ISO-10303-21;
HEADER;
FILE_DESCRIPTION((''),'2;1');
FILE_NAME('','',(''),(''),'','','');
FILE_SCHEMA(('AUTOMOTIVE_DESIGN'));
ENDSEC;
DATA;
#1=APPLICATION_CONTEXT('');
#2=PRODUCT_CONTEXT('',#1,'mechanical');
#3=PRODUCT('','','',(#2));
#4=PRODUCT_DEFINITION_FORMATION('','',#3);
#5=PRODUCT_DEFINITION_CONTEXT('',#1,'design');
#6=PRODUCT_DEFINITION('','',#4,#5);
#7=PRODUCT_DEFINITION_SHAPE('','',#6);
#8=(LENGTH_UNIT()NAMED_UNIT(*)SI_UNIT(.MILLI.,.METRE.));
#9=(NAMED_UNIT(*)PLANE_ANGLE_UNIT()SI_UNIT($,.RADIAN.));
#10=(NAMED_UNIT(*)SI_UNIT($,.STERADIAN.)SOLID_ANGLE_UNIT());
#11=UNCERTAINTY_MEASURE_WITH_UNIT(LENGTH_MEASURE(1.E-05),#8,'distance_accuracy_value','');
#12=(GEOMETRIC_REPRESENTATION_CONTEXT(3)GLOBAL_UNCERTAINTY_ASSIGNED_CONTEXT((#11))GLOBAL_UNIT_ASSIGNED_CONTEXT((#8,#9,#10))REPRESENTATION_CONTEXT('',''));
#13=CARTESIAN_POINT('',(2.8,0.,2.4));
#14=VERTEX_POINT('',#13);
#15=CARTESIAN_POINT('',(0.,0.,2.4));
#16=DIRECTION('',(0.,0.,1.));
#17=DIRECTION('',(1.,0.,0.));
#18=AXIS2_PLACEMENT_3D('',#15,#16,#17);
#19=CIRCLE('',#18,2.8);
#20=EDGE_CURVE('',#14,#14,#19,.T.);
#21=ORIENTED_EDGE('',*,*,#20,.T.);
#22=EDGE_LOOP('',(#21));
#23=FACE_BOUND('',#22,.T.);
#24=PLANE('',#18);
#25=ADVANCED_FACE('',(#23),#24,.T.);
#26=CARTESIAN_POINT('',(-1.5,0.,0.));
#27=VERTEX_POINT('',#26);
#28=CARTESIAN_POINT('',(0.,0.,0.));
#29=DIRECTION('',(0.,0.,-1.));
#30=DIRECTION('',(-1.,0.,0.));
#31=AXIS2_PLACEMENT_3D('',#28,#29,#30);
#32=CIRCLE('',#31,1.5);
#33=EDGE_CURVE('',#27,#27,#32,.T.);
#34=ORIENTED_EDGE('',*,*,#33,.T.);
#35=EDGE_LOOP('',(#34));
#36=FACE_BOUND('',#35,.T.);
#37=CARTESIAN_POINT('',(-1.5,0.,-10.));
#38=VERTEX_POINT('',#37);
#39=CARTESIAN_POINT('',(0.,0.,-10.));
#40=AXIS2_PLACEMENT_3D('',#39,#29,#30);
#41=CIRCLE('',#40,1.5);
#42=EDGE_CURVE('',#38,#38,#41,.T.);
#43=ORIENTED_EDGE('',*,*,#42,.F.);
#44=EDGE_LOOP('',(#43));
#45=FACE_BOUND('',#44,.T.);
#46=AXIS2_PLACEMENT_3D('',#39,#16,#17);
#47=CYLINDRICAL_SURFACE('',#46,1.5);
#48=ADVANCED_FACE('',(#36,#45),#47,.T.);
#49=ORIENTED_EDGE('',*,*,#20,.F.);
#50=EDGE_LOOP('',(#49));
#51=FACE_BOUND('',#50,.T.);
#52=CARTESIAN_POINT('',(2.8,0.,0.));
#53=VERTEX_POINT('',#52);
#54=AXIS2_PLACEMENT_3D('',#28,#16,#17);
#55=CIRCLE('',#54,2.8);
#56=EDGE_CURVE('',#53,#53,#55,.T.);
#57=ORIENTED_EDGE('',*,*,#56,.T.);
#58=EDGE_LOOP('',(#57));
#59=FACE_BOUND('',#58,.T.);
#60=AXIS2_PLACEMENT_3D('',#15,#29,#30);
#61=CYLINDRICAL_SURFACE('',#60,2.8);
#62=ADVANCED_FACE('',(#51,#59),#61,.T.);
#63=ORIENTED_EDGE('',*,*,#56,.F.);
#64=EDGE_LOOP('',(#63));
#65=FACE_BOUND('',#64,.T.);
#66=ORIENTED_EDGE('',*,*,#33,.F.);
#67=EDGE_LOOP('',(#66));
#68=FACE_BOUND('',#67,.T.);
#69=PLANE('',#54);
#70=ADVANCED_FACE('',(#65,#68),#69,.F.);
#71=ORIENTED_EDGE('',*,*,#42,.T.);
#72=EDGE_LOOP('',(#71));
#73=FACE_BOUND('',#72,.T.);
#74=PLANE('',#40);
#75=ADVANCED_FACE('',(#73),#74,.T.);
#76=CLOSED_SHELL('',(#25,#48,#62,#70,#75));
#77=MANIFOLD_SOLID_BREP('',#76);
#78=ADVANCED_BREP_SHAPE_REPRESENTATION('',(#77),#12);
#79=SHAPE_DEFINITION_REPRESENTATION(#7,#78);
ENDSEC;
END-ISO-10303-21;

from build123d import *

# Parameters (mm, degrees)
ESQUISSE1_R        = 2.8
BOSS_EXTRU_1_DEPTH = 2.4
ESQUISSE2_R        = 1.5
BOSS_EXTRU_2_DEPTH = 10


with BuildPart() as part:
    # Esquisse1 → Boss.-Extru.1 (new body)
    with BuildSketch(Plane.XY):
        Circle(ESQUISSE1_R)
    extrude(amount=BOSS_EXTRU_1_DEPTH)

    # Esquisse2 → Boss.-Extru.2 (add)
    with BuildSketch(Plane(origin=(0, 0, 0), x_dir=(-1, 0, 0), z_dir=(0, 0, -1))):
        Circle(ESQUISSE2_R)
    extrude(amount=BOSS_EXTRU_2_DEPTH)


solid = part.part
